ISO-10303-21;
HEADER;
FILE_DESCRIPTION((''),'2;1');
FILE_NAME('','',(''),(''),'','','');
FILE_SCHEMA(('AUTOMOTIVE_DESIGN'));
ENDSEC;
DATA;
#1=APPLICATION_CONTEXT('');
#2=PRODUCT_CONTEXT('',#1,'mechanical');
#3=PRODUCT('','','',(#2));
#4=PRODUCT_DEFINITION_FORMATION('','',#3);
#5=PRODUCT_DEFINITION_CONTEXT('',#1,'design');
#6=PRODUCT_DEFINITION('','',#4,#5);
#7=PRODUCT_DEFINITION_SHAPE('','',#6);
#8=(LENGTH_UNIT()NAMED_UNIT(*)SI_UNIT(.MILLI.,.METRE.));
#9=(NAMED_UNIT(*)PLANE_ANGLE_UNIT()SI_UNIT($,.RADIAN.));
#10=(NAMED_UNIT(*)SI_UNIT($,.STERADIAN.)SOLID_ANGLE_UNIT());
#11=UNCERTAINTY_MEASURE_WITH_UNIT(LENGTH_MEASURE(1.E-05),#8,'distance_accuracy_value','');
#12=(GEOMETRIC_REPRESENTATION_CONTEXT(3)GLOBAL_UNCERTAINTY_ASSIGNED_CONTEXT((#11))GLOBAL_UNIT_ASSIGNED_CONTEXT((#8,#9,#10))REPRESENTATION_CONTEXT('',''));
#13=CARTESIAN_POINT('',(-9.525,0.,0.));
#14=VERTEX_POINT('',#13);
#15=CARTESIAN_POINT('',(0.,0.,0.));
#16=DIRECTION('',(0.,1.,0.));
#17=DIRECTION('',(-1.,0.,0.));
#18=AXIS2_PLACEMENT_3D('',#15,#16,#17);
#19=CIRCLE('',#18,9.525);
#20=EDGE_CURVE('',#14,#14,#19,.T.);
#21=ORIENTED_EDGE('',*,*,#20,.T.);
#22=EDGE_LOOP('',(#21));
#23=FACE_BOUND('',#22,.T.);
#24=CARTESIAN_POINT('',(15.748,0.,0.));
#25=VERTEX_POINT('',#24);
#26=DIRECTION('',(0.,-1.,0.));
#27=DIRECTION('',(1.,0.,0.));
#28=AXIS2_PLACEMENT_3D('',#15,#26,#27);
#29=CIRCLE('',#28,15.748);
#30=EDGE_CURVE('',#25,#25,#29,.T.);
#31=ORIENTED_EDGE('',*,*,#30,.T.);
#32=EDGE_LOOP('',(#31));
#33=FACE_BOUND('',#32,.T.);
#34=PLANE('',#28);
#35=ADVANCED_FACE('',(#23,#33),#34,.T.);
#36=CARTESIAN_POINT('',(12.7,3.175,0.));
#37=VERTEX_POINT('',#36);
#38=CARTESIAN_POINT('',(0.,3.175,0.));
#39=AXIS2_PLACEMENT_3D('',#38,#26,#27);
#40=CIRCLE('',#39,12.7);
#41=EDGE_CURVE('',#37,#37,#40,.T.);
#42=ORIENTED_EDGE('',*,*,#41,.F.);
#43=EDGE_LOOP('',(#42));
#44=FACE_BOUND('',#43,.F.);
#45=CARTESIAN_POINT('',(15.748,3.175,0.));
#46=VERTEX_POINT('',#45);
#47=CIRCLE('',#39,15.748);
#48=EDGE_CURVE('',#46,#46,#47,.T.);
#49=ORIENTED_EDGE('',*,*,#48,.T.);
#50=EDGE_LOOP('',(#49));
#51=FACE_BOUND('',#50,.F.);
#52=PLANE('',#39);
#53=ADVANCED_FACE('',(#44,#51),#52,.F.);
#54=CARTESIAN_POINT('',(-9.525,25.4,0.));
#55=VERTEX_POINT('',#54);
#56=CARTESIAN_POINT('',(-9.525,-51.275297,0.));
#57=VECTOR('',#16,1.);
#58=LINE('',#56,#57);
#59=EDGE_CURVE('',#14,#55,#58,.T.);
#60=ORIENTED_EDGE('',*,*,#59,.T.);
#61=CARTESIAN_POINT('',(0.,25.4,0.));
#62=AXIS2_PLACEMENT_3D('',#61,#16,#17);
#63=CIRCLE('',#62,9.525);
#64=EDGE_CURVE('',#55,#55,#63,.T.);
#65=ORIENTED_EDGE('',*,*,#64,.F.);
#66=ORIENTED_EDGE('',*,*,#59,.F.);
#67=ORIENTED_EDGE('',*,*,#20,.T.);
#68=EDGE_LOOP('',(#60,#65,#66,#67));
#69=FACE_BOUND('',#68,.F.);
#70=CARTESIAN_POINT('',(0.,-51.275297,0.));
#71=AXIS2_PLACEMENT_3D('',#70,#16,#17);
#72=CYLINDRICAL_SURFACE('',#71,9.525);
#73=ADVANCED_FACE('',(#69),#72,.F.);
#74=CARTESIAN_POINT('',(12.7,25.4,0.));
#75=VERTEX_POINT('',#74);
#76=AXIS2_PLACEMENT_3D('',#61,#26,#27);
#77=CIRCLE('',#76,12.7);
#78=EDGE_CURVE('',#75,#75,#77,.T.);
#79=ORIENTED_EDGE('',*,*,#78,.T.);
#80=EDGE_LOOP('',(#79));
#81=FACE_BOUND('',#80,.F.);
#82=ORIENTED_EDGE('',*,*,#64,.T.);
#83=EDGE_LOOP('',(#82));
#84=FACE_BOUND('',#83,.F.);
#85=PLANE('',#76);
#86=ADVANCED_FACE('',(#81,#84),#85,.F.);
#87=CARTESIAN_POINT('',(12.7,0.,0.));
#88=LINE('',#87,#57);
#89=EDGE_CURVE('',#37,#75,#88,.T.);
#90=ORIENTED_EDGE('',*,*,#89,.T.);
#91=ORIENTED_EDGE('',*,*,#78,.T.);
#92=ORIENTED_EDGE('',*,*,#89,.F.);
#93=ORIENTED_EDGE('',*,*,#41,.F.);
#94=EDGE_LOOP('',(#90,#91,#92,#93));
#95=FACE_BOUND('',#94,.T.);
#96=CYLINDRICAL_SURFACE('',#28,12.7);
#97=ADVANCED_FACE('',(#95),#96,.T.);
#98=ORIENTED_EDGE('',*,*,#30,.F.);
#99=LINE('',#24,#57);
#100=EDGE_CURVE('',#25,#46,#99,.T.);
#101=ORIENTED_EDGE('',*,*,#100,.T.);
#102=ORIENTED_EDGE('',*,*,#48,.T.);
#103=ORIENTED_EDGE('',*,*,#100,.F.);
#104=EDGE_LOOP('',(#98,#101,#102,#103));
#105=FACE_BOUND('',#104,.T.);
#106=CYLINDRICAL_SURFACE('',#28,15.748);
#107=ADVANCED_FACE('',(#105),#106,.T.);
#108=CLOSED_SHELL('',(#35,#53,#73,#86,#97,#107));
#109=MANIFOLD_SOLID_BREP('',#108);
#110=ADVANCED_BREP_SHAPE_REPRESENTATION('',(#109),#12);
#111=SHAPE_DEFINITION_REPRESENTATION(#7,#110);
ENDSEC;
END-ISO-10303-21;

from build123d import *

# Parameters (mm, degrees)
F0_R     = 15.748
F0_R_2   = 12.7
F1_DEPTH = 3.175
F2_DEPTH = 25.4
F3_D     = 19.05


with BuildPart() as f1:
    # F0 (on Front) → F1 (new body)
    with BuildSketch(Plane.XZ):
        Circle(F0_R)
        Circle(F0_R_2, mode=Mode.SUBTRACT)
        Circle(F0_R_2)
    extrude(amount=-F1_DEPTH)

    # F0 (on Front) → F2 (join)
    with BuildSketch(Plane.XZ):
        Circle(F0_R_2)
    extrude(amount=-F2_DEPTH)

    # F3 (through all)
    with Locations(Plane.XZ):
        with Locations((0, 0)):
            Hole(F3_D / 2)


solid = f1.part
